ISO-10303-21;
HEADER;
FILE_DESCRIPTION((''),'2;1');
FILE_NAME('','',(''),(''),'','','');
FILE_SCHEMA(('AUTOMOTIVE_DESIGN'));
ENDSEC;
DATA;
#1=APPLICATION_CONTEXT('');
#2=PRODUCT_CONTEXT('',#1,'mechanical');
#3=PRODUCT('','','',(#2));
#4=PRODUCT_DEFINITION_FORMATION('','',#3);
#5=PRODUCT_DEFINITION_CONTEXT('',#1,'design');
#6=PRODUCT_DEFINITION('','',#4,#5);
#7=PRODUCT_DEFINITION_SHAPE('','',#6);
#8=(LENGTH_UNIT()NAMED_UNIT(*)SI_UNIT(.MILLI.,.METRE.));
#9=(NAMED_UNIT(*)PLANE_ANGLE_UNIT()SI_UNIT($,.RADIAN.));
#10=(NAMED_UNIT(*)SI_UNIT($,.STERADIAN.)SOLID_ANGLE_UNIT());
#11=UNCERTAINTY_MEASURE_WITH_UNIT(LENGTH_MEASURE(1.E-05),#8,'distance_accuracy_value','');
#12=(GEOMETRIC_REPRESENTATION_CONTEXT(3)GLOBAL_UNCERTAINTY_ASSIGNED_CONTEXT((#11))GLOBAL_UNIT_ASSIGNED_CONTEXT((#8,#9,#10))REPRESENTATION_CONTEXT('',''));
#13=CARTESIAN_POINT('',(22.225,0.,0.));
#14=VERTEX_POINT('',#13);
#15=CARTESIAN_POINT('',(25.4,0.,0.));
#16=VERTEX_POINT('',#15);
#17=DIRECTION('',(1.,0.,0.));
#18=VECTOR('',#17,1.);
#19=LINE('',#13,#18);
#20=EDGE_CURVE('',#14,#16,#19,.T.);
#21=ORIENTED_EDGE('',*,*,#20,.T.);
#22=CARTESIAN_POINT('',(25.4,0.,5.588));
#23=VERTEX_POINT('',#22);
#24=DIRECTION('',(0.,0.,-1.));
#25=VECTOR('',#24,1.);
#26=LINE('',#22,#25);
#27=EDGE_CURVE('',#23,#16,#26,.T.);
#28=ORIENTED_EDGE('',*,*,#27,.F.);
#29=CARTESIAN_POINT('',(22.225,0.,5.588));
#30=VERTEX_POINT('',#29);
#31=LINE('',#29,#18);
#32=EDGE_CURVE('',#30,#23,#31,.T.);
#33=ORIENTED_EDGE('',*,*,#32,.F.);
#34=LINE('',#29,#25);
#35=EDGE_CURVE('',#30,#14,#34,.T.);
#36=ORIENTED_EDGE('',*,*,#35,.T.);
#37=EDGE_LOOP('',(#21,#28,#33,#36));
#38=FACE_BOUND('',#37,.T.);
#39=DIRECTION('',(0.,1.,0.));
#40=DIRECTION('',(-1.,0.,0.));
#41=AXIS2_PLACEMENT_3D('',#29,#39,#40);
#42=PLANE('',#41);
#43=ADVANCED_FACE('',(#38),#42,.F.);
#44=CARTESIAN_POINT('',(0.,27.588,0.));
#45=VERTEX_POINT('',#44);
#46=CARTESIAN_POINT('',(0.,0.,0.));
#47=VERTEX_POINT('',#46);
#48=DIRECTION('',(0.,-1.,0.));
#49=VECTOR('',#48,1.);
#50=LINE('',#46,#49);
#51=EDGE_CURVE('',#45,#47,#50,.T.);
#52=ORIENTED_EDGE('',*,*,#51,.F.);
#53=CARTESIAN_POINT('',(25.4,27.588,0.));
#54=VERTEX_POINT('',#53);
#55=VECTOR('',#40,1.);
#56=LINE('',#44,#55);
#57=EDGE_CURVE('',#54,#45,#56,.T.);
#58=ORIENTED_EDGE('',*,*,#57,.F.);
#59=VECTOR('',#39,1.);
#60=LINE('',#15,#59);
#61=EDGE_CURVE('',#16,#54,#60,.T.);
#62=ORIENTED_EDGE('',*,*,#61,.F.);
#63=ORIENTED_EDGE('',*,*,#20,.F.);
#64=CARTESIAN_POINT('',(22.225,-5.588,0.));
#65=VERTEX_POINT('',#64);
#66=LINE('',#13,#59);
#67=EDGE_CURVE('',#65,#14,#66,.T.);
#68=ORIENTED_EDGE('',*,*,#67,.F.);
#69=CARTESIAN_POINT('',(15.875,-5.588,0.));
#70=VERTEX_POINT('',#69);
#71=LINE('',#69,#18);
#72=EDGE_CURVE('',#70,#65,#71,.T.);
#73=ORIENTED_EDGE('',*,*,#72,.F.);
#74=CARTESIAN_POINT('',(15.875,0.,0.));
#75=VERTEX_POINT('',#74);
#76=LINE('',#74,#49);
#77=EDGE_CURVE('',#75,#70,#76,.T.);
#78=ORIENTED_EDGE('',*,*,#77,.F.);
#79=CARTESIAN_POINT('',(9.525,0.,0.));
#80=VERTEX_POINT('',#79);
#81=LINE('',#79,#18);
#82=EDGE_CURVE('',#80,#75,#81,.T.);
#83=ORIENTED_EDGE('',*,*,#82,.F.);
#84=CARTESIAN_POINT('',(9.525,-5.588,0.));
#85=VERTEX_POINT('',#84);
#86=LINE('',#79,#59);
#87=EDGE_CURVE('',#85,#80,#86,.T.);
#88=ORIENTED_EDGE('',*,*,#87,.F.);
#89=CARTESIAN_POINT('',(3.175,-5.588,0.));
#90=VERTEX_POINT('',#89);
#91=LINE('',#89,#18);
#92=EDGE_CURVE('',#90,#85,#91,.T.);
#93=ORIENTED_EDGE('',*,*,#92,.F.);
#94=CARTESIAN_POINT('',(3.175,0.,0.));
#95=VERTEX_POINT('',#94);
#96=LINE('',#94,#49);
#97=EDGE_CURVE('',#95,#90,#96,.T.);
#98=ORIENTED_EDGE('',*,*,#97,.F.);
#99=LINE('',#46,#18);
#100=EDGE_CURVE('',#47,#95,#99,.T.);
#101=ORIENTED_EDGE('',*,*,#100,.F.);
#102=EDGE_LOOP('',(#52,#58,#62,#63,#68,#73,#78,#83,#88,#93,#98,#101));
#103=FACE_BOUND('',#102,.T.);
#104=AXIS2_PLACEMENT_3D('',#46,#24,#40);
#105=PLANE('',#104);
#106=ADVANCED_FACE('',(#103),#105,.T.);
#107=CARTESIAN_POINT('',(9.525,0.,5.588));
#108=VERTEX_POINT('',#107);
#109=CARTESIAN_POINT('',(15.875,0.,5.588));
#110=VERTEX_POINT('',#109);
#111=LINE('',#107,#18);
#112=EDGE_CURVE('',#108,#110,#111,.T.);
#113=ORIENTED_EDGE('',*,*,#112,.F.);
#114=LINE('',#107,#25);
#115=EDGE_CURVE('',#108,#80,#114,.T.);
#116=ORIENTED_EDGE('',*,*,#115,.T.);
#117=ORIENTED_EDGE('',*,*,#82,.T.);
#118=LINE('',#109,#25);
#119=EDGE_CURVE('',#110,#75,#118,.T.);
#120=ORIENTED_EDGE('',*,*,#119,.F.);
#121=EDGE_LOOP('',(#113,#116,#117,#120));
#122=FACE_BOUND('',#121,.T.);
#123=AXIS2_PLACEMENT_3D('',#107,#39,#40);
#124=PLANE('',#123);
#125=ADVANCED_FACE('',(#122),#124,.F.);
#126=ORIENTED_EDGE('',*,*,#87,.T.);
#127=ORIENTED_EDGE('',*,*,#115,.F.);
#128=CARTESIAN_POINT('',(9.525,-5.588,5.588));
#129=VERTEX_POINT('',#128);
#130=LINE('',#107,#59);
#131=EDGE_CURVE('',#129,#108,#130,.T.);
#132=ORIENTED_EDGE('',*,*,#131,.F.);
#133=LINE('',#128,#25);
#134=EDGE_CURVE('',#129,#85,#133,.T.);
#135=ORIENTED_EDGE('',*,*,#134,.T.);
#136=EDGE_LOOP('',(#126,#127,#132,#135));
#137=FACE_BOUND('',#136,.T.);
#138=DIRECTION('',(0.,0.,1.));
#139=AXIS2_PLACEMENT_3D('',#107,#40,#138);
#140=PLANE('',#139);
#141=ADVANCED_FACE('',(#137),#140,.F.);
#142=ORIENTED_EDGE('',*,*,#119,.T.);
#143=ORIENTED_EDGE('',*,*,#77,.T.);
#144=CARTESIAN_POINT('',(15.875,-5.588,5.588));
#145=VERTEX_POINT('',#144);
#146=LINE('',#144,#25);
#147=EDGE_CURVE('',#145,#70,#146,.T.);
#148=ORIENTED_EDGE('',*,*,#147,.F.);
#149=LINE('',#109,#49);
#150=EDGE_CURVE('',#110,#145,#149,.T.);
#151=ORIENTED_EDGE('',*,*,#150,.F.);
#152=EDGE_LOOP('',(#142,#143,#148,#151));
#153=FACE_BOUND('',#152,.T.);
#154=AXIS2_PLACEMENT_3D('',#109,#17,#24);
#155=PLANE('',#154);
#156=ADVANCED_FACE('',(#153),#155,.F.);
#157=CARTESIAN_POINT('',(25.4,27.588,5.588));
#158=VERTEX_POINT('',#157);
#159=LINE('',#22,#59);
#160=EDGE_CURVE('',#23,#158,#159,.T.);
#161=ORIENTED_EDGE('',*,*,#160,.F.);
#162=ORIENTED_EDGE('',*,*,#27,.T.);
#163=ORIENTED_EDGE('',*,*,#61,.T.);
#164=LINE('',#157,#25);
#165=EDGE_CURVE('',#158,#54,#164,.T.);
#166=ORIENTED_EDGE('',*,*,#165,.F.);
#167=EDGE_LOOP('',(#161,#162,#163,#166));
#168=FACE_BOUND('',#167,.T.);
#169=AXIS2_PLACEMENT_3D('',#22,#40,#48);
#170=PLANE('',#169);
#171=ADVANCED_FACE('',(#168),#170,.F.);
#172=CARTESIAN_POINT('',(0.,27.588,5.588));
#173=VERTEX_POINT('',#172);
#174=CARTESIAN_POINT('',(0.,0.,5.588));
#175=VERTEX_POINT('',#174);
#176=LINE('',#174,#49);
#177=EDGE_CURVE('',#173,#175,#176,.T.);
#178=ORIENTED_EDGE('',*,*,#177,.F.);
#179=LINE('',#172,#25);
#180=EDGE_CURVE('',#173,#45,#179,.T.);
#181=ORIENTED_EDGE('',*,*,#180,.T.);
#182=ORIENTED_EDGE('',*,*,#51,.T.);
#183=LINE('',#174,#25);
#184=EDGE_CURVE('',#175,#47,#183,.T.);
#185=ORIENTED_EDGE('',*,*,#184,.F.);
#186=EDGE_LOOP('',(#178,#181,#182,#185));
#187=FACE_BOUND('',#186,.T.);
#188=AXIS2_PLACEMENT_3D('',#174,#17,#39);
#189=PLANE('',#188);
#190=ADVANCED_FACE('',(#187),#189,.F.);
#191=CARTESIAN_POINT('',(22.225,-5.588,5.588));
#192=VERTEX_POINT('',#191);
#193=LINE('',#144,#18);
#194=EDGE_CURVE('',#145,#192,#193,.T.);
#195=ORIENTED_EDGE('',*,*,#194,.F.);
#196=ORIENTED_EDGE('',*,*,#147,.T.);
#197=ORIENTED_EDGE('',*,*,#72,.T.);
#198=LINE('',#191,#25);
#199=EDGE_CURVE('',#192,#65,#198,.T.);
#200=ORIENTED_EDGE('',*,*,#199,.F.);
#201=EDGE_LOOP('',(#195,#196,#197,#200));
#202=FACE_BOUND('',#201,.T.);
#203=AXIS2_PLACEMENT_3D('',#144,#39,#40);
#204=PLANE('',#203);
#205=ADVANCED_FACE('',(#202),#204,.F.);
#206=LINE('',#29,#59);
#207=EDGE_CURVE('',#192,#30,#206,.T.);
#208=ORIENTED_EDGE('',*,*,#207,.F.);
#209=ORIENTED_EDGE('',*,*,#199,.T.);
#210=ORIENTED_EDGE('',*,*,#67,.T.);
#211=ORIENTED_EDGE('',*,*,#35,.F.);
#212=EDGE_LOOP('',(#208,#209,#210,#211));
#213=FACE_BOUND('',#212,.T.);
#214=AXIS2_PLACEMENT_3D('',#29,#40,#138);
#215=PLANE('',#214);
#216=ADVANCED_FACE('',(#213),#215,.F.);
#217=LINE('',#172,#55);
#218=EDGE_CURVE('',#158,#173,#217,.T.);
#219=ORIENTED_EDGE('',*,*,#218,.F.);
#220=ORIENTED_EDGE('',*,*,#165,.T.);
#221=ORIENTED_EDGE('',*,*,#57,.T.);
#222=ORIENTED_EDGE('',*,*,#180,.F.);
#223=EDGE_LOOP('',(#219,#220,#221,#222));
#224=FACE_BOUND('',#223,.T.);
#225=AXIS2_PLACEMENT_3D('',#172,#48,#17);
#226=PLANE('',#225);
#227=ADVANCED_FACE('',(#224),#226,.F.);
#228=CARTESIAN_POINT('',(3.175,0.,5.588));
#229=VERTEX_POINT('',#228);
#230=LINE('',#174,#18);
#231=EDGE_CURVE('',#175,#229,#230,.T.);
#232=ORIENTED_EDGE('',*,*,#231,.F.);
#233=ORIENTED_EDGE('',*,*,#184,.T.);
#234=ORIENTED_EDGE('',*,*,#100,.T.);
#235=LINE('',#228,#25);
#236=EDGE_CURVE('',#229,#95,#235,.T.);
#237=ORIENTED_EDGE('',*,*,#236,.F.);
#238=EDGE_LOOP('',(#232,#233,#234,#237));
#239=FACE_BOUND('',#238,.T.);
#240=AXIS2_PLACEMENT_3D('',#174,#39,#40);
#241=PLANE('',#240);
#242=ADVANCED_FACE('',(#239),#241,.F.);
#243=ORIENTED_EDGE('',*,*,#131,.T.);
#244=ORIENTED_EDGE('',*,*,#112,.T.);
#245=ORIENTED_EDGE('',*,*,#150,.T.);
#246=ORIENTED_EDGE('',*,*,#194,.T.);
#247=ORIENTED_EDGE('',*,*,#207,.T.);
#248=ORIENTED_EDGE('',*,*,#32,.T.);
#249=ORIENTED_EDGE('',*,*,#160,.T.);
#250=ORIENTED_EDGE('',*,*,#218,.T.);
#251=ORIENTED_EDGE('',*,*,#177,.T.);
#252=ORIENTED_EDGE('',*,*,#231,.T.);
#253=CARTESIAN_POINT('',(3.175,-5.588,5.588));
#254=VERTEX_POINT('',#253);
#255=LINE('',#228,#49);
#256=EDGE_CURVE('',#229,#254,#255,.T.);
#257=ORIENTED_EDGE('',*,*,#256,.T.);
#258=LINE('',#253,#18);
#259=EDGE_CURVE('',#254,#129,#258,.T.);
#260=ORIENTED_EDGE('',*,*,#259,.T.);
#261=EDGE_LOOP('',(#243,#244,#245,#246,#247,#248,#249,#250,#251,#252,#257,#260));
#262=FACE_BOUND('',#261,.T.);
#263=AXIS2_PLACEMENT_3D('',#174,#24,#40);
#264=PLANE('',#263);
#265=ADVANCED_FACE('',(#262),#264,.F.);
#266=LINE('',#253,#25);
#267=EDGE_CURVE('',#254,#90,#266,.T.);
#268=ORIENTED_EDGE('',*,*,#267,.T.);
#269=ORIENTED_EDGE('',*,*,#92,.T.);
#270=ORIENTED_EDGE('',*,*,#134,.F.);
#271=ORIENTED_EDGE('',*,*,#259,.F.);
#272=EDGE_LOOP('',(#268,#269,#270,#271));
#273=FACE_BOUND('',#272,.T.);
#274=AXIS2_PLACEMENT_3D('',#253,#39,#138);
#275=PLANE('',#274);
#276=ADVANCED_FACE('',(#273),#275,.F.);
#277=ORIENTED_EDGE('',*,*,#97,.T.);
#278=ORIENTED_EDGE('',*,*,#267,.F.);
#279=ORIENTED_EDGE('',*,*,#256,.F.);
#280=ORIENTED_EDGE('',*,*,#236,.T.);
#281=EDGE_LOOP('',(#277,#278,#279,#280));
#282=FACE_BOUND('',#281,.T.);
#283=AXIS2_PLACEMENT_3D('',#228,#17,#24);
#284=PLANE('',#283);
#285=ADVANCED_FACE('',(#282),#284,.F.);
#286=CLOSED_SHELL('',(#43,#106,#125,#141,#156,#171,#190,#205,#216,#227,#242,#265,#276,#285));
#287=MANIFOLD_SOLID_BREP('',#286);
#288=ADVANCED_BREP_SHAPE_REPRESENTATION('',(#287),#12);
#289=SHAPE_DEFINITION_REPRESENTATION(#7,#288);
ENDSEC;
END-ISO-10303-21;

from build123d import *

# Parameters (mm, degrees)
BOSS_EXTRUDE1_DEPTH = 5.588


with BuildPart() as part:
    # Sketch1 → Boss-Extrude1 (new body)
    with BuildSketch(Plane.XY):
        Polygon((0, 0), (3.175, 0), (3.175, -5.588), (9.525, -5.588), (9.525, 0), (15.875, 0), (15.875, -5.588), (22.225, -5.588), (22.225, 0), (25.4, 0), (25.4, 27.588), (0, 27.588), align=None)
    extrude(amount=BOSS_EXTRUDE1_DEPTH)


solid = part.part
